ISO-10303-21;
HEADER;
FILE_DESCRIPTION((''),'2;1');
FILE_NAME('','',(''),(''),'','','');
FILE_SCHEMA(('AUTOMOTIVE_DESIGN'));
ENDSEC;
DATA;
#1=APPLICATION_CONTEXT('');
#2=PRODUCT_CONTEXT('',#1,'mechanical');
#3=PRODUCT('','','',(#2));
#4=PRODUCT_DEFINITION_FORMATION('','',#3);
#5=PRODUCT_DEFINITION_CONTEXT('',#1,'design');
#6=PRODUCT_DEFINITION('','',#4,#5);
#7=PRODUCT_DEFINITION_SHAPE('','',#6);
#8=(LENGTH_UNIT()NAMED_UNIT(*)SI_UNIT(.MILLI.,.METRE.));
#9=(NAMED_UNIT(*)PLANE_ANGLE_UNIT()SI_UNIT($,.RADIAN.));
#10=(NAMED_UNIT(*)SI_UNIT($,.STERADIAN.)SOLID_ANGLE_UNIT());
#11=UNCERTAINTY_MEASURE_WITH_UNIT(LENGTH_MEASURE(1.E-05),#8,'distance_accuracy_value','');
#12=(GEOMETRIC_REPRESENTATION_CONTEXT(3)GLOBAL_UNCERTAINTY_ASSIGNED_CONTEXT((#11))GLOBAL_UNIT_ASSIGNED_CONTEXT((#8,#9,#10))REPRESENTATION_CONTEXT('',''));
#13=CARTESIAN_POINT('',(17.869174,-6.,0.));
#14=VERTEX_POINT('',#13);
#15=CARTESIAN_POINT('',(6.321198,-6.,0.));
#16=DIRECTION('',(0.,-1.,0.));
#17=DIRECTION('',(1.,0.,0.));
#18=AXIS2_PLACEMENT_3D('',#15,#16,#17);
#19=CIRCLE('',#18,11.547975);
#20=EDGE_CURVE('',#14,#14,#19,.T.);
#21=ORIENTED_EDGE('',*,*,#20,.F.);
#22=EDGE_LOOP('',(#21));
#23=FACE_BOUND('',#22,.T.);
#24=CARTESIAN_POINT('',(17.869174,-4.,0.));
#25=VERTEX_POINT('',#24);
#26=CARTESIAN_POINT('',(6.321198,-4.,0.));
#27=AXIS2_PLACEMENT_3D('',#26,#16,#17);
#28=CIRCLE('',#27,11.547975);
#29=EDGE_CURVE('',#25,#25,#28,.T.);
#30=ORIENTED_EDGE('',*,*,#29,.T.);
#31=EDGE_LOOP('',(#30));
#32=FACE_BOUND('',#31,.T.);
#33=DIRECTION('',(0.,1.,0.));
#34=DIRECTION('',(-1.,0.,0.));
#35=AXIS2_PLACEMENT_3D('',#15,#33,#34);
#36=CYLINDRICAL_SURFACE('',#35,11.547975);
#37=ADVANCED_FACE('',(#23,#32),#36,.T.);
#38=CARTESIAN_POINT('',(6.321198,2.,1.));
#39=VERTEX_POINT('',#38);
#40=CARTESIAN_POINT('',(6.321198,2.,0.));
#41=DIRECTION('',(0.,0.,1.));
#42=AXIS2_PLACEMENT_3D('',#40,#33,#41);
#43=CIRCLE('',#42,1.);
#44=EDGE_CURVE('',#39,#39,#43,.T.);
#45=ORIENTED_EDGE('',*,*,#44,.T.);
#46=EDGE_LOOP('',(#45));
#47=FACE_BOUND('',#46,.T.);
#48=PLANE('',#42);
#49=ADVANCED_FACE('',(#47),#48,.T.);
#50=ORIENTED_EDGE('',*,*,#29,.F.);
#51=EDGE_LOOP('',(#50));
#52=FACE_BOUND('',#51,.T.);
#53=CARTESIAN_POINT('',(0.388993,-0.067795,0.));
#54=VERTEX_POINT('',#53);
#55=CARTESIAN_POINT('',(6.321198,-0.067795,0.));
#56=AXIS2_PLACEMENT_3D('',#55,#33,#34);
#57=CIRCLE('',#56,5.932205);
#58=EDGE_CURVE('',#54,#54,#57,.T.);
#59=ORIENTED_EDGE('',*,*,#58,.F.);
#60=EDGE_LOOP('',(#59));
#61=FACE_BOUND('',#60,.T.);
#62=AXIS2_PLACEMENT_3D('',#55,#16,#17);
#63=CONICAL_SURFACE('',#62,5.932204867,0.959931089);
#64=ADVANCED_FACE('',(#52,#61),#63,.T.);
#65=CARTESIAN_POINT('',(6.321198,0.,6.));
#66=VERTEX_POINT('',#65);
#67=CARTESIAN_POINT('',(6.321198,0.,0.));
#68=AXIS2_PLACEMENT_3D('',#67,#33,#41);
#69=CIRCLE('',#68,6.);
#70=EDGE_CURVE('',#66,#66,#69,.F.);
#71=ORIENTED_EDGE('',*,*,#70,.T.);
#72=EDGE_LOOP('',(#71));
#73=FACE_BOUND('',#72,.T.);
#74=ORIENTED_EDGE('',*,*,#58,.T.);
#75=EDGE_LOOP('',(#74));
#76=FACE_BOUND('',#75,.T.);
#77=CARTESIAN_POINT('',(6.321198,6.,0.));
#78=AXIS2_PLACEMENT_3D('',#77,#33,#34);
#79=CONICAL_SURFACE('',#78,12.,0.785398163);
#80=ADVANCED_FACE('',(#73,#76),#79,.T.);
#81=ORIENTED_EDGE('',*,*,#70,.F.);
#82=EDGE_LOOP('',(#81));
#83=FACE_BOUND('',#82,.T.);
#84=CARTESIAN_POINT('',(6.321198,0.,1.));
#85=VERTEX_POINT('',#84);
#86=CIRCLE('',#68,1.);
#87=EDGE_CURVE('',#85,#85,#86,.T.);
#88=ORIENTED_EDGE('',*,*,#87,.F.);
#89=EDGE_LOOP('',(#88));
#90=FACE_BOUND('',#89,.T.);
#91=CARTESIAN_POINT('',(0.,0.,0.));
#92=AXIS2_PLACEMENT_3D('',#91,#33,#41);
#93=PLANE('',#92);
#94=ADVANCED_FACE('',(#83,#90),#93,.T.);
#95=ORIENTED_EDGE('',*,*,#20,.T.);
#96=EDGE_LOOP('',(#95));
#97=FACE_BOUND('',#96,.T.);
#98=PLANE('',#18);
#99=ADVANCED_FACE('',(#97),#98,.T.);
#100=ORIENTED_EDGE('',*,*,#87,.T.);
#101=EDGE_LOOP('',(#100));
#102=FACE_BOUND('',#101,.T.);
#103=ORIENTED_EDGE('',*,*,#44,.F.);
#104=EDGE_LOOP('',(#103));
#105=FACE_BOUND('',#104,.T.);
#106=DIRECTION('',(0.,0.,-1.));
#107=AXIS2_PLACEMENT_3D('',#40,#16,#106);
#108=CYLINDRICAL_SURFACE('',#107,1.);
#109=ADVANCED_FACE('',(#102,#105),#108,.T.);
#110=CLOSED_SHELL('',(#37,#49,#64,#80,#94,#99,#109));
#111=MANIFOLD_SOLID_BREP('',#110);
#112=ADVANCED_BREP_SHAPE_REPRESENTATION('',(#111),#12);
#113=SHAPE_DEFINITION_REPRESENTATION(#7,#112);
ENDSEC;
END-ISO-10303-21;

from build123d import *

# Parameters (mm, degrees)
SKETCH11_R          = 12
BOSS_EXTRUDE3_DEPTH = 2
SKETCH13_R          = 11.54797541
BOSS_EXTRUDE4_DEPTH = 2
SKETCH14_R          = 1
BOSS_EXTRUDE5_DEPTH = 2


with BuildPart() as part:
    # Sketch1 → Revolve1 (revolve)
    with BuildSketch(Plane.XY):
        Polygon((0.388993331, -0.067795133), (-5.226777212, -4), (6.321198199, -4), (6.321198199, 6), (-5.678801801, 6), align=None)
    revolve(axis=Axis((6.321198199, 11.047707555, 0), (0, -1, 0)))


with BuildPart() as body_2:
    # Split2: the piece on the far side of the plane
    add(part.part)
    split(bisect_by=Plane.ZX, keep=Keep.BOTTOM)

    # Sketch13 → Boss-Extrude4 (add)
    with BuildSketch(Plane.XZ.offset(4)):
        with Locations((6.321198199, 0)):
            Circle(SKETCH13_R)
    extrude(amount=BOSS_EXTRUDE4_DEPTH)

    # Sketch14 → Boss-Extrude5 (add)
    with BuildSketch(Plane(origin=(0, 0, 0), x_dir=(1, 0, 0), z_dir=(0, 1, 0))):
        with Locations(Location((6.321198199, 0, 0), (0, 0, 270))):
            Circle(SKETCH14_R)
    extrude(amount=BOSS_EXTRUDE5_DEPTH)


with BuildPart() as part_1:
    add(part.part)

    # Split2
    split(bisect_by=Plane.ZX, keep=Keep.TOP)

    # Sketch11 → Boss-Extrude3 (add)
    with BuildSketch(Plane(origin=(0, 6, 0), x_dir=(1, 0, 0), z_dir=(0, 1, 0))):
        with Locations(Location((6.321198199, 0, 0), (0, 0, 180))):
            Circle(SKETCH11_R)
    extrude(amount=BOSS_EXTRUDE3_DEPTH)


solid = body_2.part
